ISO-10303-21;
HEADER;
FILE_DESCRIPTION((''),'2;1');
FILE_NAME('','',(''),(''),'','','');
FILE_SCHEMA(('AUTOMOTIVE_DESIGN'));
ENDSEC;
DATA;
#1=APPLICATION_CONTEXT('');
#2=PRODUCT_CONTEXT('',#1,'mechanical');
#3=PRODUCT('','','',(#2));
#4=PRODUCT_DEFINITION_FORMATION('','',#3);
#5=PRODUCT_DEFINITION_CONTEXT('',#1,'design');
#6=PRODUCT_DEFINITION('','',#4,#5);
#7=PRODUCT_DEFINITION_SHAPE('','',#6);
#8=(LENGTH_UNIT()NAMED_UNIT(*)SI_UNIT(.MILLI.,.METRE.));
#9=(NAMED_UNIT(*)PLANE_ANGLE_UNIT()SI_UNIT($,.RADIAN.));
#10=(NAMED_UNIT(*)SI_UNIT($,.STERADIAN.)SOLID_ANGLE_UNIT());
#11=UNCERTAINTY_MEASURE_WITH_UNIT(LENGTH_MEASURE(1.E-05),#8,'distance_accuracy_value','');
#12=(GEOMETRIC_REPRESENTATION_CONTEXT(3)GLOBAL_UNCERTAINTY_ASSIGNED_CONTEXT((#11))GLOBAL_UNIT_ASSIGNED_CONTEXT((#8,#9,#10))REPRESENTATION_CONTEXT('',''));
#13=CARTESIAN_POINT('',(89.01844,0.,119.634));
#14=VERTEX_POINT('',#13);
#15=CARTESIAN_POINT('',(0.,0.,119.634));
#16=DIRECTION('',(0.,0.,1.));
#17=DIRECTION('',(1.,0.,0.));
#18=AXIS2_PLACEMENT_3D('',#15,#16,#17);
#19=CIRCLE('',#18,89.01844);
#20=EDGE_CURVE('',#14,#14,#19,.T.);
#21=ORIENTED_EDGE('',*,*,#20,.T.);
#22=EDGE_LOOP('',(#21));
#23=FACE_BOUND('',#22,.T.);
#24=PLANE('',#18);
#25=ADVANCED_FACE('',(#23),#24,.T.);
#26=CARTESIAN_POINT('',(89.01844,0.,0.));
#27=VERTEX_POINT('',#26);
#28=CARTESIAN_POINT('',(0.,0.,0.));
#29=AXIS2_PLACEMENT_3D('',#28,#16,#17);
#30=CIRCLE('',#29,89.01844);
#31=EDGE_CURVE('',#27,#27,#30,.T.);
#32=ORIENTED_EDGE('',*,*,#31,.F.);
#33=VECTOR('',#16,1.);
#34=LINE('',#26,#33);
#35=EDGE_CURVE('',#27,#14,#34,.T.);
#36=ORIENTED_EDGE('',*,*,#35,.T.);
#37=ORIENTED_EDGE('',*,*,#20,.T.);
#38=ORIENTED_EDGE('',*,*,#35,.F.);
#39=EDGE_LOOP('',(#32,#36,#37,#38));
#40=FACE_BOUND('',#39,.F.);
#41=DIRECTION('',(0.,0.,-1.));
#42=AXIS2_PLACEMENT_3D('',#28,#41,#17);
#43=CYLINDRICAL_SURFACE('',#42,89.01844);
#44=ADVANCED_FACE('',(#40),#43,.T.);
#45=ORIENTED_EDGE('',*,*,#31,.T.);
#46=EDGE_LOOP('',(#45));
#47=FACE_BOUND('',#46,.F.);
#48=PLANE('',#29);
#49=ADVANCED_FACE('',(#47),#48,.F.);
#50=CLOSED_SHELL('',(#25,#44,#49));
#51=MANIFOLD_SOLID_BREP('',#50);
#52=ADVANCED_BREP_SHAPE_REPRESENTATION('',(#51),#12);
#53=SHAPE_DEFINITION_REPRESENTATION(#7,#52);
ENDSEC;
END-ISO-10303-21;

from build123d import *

# Parameters (mm, degrees)
F0_R     = 89.01844
F0_R_2   = 72.869478
F1_DEPTH = 119.634


with BuildPart() as f1:
    # F0 (on Top) → F1 (new body)
    with BuildSketch(Plane.XY):
        Circle(F0_R)
        with Locations((0, 5.845245)):
            Circle(F0_R_2, mode=Mode.SUBTRACT)
        with Locations((0, 5.845245)):
            Circle(F0_R_2)
    extrude(amount=F1_DEPTH)


solid = f1.part
